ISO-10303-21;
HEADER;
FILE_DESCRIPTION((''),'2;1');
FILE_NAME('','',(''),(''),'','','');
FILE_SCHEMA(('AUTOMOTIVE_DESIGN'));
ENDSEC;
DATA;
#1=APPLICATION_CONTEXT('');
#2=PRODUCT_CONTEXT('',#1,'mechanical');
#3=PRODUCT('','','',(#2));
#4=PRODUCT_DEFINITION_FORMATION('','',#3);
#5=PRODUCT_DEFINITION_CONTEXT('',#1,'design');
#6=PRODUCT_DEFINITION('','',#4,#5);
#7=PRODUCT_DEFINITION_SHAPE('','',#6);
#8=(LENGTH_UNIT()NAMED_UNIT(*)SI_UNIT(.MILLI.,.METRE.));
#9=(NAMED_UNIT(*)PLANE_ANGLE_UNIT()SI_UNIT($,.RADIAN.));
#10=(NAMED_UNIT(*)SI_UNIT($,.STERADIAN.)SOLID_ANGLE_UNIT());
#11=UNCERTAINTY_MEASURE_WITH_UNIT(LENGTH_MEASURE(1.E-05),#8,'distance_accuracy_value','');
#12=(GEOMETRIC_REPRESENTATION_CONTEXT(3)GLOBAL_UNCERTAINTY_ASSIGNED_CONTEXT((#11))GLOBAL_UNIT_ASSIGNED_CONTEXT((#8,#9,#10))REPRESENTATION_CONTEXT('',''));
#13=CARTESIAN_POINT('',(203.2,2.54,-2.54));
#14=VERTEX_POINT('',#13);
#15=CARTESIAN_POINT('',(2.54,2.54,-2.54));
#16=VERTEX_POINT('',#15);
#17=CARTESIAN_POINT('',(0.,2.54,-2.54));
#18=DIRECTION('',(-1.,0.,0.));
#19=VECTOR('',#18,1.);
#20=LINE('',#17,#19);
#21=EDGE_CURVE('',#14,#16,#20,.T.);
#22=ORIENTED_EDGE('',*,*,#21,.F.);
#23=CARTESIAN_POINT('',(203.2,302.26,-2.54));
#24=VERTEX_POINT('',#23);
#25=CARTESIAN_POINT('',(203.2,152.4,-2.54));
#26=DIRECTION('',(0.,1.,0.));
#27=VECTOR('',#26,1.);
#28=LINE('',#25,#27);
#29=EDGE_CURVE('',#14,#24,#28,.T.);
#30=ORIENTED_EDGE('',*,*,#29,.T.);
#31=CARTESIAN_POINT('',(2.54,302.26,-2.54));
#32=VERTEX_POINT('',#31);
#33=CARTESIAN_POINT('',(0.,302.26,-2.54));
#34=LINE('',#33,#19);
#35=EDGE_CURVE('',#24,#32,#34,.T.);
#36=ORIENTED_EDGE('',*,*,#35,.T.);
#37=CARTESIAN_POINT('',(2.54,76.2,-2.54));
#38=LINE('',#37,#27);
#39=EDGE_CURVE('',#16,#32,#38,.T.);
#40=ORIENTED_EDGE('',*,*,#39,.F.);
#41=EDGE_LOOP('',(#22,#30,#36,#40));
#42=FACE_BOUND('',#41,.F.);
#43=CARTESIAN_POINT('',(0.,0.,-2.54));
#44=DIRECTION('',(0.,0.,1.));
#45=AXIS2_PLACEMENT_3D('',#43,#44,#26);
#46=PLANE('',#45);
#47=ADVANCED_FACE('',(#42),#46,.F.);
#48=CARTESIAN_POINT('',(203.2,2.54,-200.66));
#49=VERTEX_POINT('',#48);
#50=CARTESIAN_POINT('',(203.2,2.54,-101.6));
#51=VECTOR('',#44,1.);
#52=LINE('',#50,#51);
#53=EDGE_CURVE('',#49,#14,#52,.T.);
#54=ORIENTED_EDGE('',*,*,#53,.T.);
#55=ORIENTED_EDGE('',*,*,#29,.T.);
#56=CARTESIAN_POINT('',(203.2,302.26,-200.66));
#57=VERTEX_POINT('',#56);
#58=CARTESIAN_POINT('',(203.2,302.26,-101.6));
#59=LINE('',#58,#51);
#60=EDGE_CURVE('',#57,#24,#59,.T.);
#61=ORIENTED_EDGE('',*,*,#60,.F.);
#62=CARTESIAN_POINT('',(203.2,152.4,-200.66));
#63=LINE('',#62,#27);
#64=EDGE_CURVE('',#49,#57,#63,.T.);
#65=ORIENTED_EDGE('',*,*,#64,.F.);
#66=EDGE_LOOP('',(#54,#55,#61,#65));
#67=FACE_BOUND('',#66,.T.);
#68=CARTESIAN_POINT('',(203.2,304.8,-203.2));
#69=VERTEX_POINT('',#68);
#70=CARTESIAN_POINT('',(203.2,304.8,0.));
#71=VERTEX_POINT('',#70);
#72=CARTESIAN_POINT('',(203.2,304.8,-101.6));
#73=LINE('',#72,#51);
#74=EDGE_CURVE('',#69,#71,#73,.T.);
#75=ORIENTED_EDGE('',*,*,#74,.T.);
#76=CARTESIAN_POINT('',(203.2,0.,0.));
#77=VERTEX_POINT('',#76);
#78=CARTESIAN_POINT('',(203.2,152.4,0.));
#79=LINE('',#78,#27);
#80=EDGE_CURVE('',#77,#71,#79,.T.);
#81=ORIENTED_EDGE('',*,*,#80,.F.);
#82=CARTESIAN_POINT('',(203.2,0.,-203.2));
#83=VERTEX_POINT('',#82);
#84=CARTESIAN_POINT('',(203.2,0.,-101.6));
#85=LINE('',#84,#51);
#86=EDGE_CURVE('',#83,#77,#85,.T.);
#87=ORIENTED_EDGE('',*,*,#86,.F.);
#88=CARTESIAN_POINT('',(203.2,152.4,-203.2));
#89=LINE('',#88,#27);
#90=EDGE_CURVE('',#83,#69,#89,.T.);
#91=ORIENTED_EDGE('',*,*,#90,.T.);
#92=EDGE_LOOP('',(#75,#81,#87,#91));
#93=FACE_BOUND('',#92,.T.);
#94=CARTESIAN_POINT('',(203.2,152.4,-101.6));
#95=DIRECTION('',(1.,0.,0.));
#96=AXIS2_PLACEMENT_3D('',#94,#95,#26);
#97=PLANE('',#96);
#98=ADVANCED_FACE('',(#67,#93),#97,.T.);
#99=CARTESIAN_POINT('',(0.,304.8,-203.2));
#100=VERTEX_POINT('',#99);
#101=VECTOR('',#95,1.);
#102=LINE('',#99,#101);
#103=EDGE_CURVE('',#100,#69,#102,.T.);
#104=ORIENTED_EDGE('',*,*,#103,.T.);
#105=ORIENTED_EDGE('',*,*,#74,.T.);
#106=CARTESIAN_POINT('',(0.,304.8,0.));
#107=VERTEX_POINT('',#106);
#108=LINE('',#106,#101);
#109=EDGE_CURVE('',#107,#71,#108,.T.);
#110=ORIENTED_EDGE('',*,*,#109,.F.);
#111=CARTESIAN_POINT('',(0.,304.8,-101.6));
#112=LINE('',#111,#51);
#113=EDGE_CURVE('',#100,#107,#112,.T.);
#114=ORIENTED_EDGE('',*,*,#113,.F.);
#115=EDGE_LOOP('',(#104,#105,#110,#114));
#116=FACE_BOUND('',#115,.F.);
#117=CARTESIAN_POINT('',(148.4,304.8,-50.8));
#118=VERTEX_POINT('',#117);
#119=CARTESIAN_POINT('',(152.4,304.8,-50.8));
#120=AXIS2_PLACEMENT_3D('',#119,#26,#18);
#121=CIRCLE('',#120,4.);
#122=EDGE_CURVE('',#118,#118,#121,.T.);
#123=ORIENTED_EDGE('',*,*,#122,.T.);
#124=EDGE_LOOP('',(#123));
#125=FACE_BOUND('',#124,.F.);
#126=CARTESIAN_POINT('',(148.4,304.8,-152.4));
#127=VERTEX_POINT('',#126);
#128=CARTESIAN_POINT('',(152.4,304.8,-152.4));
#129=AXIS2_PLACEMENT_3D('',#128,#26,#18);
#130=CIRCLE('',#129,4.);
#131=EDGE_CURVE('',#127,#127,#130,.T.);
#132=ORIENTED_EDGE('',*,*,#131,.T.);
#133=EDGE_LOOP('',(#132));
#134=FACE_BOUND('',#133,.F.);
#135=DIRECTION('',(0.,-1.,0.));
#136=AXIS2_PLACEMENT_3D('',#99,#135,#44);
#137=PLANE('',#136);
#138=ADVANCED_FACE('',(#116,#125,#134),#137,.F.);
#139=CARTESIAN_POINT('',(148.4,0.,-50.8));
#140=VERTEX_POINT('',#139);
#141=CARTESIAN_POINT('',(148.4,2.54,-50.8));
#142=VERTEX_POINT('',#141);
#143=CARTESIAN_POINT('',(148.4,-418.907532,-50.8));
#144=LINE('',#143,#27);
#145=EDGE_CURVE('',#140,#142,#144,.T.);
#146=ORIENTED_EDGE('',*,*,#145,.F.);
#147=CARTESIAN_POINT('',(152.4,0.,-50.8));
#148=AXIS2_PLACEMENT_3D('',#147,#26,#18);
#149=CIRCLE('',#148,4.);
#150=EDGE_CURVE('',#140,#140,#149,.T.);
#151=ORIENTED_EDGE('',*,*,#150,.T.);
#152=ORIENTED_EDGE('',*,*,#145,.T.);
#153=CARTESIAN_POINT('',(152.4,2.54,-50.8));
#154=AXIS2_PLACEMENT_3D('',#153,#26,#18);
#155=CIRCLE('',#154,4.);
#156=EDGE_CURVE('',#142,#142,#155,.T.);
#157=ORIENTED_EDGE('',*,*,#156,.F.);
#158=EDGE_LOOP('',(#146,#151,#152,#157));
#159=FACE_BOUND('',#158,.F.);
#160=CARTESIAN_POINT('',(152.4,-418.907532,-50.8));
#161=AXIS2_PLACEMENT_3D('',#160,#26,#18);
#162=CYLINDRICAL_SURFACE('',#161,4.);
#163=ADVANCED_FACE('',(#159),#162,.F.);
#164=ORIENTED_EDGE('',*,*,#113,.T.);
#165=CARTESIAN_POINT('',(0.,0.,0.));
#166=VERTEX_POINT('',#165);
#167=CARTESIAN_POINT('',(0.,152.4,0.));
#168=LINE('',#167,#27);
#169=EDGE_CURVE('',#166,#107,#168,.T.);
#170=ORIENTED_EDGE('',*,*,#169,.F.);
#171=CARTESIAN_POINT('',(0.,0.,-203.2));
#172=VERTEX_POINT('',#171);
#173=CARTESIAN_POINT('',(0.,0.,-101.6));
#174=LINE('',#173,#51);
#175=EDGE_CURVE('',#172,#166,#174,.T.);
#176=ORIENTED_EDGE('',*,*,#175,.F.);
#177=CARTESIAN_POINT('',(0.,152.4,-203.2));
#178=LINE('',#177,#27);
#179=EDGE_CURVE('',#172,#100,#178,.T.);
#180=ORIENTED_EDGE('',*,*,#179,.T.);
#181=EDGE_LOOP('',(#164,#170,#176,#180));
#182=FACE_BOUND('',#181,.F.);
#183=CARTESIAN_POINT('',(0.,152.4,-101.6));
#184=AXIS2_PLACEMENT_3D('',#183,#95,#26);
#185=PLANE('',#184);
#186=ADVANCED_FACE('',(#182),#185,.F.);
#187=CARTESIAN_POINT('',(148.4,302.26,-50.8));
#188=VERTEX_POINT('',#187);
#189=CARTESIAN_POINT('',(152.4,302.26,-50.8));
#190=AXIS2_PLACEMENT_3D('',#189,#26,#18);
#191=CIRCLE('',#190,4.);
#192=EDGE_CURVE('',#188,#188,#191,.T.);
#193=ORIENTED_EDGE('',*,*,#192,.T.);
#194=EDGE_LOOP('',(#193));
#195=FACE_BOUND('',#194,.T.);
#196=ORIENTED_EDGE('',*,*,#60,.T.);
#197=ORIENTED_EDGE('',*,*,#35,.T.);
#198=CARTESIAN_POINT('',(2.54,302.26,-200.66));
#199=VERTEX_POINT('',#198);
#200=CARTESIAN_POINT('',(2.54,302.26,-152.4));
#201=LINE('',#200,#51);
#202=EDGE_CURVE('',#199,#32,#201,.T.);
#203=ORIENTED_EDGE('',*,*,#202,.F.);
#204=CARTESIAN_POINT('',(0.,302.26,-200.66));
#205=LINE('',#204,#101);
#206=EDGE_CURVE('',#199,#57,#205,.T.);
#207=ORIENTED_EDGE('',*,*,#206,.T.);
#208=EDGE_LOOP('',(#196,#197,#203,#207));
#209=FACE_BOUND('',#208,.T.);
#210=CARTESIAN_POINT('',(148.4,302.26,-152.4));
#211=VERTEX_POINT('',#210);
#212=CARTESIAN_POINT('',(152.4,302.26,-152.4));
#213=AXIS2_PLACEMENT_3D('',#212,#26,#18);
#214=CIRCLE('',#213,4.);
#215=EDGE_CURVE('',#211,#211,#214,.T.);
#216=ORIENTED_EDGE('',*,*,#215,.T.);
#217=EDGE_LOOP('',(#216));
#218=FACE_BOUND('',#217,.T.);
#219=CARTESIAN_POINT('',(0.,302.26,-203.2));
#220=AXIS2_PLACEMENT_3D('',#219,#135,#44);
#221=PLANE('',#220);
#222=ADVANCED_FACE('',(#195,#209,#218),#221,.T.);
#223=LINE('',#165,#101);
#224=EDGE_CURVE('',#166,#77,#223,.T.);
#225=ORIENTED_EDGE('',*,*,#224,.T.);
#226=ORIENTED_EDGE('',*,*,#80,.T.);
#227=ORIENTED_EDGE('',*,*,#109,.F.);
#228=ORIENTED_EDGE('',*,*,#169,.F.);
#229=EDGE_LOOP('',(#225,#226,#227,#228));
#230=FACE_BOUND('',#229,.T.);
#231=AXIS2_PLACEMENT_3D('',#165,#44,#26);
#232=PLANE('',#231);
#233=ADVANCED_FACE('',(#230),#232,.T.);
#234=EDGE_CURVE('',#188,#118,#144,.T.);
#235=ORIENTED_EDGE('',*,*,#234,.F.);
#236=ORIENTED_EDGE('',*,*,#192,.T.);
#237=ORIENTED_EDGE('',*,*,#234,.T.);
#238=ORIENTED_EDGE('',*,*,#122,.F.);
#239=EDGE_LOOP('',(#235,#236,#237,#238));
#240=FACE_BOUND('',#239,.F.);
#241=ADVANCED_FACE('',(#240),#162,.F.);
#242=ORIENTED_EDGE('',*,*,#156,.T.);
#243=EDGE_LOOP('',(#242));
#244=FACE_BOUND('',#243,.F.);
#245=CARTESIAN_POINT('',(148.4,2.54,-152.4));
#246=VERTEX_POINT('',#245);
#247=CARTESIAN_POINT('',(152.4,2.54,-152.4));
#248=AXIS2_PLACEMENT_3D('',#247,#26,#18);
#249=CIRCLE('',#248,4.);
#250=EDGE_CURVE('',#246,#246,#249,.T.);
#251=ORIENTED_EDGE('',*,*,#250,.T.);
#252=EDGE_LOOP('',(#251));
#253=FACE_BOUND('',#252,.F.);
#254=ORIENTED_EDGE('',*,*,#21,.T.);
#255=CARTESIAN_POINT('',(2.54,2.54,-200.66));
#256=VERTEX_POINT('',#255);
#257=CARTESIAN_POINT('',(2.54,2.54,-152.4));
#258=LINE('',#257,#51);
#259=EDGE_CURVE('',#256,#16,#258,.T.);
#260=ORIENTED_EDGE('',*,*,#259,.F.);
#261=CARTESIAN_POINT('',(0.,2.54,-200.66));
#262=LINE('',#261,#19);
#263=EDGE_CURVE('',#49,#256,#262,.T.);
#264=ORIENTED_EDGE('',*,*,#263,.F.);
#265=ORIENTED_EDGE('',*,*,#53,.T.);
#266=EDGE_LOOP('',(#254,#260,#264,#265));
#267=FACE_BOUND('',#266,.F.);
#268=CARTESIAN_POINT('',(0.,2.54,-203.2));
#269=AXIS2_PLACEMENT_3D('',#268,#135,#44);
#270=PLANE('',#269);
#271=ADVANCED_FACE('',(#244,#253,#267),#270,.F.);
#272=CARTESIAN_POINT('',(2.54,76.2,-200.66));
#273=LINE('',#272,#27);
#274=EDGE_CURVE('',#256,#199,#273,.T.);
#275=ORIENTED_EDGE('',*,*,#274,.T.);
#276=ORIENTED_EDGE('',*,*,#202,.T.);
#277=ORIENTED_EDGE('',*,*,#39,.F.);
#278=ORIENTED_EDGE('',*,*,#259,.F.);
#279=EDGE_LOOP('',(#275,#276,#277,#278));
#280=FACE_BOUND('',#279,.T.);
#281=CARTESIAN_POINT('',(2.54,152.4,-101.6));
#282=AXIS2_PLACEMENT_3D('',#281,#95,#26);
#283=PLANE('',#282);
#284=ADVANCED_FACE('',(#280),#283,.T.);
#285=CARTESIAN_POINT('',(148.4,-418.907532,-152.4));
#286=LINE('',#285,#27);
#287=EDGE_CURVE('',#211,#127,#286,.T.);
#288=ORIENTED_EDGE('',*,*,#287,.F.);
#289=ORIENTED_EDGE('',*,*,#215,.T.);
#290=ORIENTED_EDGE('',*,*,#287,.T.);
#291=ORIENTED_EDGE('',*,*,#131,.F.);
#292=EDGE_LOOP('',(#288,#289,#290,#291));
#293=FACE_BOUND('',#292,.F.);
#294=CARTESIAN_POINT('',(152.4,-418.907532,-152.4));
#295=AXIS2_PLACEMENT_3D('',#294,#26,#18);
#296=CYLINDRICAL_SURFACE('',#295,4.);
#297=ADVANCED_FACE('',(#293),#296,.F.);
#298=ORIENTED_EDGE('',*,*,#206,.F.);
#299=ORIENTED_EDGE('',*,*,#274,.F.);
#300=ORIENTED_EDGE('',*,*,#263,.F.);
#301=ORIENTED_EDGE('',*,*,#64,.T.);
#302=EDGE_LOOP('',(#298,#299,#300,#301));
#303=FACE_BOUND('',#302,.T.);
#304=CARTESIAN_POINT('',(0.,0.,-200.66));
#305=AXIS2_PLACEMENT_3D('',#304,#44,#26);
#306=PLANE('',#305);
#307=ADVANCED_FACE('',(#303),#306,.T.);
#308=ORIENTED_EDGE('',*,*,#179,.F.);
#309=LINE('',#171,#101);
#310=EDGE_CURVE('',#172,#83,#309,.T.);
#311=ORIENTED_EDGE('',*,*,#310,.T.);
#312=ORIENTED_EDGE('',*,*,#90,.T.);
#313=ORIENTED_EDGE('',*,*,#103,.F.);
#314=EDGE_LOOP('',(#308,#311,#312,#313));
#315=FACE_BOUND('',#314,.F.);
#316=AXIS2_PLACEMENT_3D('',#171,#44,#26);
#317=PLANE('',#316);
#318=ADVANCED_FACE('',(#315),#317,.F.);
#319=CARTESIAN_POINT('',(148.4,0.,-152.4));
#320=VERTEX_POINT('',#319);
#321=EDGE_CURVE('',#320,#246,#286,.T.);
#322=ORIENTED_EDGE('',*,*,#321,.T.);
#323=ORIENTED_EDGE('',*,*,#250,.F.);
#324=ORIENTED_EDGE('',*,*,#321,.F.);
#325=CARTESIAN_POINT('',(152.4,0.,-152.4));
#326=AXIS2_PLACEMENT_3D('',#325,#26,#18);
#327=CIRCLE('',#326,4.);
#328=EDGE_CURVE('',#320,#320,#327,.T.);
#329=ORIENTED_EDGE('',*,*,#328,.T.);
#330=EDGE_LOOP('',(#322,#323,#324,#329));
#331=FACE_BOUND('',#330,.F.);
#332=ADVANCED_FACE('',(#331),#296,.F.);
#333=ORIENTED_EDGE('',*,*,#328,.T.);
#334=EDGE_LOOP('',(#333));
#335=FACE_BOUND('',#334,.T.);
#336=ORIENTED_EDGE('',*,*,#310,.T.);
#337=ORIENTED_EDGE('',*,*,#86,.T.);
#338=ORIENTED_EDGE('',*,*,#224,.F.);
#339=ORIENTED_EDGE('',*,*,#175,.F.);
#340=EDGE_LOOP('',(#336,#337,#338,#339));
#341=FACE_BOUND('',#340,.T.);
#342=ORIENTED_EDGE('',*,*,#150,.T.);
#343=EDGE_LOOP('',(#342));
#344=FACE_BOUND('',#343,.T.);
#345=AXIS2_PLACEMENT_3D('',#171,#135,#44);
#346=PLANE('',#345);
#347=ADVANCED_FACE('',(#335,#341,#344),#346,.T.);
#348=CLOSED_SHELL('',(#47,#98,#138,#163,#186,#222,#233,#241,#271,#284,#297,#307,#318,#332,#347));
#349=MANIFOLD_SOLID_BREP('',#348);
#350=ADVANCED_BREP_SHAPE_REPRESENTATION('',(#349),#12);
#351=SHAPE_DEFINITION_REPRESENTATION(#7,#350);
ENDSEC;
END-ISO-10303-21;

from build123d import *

# Parameters (mm, degrees)
F0_W     = 304.8
F0_H     = 203.2
F1_DEPTH = 203.2
F2_T     = -2.54
F4_D     = 8


with BuildPart() as f1:
    # F0 (on Right) → F1 (new body)
    with BuildSketch(Plane.YZ):
        with Locations((152.4, -101.6)):
            Rectangle(F0_W, F0_H)
    extrude(amount=F1_DEPTH)

    # F2
    f2_openings = [f1.faces().sort_by_distance(p)[0] for p in [
        (203.2, 152.4, -101.6),
    ]]
    offset(amount=F2_T, openings=f2_openings)

    # F4 (through all)
    with Locations(Plane.XZ):
        with Locations((152.4, -50.8), (152.4, -152.4)):
            Hole(F4_D / 2)


solid = f1.part
